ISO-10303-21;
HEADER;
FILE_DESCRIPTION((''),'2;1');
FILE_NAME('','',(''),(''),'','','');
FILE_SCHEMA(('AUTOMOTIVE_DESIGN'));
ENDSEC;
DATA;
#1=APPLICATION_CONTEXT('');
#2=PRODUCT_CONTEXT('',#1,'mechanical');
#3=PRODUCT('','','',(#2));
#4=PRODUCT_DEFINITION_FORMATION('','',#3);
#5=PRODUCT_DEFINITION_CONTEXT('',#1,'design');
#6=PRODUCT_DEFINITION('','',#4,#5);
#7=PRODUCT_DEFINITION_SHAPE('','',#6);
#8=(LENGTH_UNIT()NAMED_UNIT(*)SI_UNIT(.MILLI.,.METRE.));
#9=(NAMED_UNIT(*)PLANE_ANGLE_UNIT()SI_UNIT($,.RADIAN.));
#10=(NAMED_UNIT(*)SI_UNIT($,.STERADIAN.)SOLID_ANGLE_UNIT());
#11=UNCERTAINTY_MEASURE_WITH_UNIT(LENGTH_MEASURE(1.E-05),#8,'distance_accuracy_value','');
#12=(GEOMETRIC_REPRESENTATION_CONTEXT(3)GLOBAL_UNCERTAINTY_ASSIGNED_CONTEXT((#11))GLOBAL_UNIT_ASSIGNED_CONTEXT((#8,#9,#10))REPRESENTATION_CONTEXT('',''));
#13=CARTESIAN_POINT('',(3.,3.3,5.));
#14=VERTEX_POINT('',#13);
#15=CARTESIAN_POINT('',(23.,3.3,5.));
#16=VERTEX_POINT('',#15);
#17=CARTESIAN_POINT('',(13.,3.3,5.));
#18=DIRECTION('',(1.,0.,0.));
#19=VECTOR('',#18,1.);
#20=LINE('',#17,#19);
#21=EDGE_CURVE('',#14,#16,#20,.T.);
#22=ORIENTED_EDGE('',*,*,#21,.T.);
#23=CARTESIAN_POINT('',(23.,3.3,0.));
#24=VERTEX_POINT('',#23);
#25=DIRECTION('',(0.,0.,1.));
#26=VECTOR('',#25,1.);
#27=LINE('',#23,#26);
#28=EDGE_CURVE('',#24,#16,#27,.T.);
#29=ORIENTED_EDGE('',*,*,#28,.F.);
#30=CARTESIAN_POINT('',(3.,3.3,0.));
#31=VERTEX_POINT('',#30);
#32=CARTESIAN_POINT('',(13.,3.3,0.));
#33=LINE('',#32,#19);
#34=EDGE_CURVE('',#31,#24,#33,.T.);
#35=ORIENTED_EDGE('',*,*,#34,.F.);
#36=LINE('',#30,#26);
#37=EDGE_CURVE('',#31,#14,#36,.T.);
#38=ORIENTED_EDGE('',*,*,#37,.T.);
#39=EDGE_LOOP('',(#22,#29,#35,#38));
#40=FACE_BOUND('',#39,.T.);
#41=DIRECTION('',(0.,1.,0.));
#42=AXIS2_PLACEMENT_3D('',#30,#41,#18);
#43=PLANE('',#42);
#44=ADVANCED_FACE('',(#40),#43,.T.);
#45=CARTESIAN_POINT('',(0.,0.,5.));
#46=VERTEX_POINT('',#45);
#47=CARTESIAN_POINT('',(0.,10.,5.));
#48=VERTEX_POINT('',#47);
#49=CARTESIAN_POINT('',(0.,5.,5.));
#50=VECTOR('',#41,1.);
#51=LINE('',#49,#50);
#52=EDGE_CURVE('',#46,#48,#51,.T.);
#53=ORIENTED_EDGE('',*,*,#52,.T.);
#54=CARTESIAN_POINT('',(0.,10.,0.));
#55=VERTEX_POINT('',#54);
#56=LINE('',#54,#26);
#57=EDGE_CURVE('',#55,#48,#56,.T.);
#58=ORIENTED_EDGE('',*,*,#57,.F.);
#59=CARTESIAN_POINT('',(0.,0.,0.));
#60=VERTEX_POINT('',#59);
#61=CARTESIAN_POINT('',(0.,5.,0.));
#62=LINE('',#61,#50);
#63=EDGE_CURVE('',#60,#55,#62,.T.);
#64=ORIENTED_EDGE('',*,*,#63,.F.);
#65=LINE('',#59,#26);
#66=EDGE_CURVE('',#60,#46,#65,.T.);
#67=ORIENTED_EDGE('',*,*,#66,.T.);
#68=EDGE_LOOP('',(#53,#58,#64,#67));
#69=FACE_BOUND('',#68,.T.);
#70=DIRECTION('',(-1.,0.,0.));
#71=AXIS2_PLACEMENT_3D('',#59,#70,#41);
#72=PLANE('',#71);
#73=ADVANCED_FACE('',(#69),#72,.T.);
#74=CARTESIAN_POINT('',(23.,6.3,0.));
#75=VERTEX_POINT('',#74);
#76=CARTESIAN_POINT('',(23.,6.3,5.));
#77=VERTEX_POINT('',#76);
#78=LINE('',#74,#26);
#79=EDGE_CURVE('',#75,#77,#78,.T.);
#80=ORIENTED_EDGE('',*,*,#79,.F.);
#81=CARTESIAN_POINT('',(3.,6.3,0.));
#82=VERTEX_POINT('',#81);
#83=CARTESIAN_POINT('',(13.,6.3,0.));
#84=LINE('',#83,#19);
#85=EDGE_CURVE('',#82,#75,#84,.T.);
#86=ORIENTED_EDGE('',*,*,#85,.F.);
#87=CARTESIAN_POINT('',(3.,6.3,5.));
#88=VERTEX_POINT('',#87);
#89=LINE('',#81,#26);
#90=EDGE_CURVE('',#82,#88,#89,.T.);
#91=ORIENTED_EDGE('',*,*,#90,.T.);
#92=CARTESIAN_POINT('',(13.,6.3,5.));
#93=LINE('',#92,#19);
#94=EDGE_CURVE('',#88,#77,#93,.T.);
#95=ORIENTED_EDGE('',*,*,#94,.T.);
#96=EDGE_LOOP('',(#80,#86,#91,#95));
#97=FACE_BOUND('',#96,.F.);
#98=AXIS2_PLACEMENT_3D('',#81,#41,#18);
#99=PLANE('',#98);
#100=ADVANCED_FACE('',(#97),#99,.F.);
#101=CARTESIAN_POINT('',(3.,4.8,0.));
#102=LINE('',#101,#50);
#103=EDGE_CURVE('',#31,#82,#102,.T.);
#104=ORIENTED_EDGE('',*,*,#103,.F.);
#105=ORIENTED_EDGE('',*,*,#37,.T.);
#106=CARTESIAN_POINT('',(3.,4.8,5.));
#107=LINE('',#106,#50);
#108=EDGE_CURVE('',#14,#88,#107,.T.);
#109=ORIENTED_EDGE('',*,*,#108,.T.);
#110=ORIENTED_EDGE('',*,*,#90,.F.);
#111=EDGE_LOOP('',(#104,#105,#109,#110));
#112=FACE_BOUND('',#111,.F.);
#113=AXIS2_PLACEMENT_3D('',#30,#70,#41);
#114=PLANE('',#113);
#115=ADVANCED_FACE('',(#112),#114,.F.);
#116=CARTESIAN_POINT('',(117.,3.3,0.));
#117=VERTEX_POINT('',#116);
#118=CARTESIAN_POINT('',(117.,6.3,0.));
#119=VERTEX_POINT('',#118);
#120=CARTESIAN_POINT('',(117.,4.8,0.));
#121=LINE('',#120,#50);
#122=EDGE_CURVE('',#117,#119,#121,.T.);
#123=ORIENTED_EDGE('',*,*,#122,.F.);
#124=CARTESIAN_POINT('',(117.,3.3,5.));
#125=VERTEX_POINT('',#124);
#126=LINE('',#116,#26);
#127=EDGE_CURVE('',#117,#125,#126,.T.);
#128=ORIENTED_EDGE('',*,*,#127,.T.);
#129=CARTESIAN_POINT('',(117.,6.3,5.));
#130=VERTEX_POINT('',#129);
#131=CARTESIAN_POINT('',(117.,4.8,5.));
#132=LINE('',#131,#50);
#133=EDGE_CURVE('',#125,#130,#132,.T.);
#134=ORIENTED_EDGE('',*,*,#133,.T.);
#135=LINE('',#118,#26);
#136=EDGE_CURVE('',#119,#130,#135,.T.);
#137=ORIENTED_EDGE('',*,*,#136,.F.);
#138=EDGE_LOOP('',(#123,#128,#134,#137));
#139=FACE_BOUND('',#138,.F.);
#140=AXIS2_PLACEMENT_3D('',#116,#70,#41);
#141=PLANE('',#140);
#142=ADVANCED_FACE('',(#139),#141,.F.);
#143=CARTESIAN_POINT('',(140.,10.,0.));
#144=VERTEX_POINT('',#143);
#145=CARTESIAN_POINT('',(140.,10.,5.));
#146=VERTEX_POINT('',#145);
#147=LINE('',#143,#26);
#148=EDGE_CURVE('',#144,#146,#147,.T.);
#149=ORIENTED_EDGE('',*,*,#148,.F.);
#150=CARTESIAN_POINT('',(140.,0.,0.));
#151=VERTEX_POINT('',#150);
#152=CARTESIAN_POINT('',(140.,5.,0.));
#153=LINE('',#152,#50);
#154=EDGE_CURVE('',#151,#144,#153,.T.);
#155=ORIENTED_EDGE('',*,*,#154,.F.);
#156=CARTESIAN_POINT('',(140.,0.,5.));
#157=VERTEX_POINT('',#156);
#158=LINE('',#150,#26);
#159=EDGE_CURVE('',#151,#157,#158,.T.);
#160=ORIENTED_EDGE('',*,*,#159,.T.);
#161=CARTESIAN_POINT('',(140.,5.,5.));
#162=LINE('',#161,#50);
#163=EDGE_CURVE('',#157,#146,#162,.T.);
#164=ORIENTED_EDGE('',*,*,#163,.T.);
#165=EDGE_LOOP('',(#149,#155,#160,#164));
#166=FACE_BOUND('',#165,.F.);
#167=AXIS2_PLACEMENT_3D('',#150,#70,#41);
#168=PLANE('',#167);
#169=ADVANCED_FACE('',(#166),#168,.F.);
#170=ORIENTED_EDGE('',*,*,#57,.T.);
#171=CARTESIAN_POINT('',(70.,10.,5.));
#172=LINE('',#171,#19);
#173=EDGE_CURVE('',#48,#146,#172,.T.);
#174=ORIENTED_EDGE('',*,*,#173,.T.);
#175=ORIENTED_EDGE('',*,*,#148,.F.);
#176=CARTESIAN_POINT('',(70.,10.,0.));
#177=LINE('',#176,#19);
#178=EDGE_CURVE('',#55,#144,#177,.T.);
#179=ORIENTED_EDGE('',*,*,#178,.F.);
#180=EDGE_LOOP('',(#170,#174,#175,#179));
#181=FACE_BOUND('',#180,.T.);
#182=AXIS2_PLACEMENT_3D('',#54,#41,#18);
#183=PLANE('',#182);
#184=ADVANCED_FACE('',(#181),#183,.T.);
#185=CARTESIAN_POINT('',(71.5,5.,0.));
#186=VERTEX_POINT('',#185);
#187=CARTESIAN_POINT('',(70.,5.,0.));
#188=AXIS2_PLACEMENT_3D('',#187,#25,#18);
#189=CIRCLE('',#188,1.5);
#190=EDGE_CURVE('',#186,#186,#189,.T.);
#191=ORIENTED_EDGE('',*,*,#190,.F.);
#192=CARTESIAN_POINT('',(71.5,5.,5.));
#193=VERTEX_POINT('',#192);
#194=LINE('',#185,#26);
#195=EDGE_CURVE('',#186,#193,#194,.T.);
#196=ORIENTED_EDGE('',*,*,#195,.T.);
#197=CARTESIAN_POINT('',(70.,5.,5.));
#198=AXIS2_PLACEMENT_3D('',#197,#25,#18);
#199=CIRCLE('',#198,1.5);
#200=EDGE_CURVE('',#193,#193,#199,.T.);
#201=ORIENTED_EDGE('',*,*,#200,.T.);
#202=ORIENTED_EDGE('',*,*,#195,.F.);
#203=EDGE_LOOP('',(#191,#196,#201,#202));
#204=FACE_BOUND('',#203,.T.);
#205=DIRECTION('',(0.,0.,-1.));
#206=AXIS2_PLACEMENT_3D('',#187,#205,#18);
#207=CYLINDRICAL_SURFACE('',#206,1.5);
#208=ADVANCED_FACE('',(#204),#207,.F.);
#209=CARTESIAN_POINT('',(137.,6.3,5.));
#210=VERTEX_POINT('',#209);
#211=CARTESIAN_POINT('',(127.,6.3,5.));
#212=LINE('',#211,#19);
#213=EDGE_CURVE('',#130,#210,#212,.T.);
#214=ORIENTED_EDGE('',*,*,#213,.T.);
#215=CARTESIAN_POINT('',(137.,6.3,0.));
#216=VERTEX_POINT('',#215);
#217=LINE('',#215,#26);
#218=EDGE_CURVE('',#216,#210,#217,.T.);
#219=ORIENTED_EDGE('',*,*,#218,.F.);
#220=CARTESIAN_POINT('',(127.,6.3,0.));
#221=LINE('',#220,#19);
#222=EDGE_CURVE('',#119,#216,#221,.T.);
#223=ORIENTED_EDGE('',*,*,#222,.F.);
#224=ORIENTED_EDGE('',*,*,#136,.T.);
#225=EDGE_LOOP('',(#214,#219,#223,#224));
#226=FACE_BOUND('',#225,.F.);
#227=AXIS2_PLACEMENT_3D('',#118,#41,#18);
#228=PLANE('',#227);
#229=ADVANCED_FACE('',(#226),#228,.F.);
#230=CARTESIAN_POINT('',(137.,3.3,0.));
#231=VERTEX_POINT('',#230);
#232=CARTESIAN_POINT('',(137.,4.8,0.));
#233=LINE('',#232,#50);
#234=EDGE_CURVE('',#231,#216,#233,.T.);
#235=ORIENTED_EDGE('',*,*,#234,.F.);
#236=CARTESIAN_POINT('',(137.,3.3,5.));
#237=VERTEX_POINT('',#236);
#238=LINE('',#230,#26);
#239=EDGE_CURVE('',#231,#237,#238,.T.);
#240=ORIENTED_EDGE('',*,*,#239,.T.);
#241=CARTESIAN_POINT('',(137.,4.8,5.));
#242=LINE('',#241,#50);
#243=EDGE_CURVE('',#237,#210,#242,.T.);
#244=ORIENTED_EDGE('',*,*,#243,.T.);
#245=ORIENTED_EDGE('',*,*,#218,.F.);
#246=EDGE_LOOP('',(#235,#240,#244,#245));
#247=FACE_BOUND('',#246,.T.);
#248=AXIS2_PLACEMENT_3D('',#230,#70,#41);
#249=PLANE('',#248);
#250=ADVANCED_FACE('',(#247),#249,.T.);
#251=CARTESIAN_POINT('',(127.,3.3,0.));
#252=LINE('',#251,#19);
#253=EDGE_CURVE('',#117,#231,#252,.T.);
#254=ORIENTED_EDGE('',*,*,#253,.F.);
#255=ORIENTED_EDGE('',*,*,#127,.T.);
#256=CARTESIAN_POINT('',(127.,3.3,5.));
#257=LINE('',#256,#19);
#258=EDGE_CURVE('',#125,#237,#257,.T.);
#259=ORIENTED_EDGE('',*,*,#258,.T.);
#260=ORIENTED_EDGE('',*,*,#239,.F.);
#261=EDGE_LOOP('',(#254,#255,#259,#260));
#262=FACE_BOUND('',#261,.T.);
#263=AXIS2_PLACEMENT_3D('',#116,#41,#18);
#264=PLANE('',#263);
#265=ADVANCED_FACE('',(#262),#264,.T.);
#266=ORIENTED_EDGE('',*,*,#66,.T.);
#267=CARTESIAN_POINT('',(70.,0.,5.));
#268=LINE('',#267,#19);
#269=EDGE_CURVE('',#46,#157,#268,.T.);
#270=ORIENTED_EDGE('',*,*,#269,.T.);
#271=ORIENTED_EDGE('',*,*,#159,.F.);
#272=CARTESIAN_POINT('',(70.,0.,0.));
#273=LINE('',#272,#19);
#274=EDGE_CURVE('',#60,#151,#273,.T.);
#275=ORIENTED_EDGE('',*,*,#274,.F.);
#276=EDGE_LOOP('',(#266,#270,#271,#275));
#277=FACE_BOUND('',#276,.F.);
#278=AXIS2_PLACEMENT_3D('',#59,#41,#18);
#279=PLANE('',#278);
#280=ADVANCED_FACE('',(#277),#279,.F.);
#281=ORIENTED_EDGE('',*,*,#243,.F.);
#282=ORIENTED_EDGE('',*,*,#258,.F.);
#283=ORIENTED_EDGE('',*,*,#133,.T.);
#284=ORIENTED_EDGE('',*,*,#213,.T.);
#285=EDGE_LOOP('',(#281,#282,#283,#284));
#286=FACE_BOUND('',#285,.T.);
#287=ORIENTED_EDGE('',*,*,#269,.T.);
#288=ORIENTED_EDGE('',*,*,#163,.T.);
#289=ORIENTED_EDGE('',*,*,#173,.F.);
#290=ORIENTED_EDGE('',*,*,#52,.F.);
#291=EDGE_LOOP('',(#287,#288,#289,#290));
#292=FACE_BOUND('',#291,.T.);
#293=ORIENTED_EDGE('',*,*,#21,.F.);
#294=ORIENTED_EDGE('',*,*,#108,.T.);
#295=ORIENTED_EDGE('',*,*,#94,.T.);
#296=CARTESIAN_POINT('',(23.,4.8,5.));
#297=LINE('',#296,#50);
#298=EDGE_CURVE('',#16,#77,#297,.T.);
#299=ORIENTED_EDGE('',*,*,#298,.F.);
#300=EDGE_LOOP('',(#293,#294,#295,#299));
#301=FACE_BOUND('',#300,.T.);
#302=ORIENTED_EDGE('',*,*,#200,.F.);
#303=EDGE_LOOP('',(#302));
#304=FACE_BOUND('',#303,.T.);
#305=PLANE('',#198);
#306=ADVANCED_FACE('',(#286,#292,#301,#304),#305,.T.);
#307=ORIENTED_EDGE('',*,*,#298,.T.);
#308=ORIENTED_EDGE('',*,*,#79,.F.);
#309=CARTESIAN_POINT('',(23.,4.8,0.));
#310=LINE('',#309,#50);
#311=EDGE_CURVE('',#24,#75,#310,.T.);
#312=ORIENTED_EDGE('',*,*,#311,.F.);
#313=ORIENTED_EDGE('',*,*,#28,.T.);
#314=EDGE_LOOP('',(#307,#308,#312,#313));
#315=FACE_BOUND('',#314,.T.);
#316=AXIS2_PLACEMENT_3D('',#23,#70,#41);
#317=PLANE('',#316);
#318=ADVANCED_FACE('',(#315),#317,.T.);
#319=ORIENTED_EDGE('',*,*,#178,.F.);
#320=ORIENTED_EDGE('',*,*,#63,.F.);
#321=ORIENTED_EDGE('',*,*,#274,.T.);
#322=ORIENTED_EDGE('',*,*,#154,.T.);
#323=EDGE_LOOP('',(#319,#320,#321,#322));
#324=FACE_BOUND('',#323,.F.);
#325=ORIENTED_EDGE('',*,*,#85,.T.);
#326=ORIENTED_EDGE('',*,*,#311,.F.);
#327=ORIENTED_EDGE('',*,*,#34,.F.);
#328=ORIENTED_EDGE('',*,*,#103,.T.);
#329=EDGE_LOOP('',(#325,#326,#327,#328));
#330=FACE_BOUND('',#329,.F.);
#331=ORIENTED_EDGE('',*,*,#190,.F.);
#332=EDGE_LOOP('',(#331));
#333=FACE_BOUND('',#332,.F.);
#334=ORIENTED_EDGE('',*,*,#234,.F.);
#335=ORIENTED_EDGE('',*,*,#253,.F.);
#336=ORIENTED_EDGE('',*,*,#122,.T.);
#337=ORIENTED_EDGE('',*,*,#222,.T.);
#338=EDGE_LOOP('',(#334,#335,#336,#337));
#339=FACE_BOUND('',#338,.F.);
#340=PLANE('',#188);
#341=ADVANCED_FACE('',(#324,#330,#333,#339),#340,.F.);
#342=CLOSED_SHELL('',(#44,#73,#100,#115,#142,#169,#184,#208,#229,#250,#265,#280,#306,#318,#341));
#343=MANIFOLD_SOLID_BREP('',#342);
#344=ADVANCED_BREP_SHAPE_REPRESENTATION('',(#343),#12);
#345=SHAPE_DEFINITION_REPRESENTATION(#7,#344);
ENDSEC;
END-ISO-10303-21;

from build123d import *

# Parameters (mm, degrees)
F0_W     = 140
F0_H     = 10
F0_W_2   = 20
F0_H_2   = 3
F0_R     = 1.5
F1_DEPTH = 5


with BuildPart() as f1:
    # F0 (on Top) → F1 (new body)
    with BuildSketch(Plane.XY):
        with Locations((70, 5)):
            Rectangle(F0_W, F0_H)
        with Locations((13, 4.8)):
            Rectangle(F0_W_2, F0_H_2, mode=Mode.SUBTRACT)
        with Locations((127, 4.8)):
            Rectangle(F0_W_2, F0_H_2, mode=Mode.SUBTRACT)
        with Locations((70, 5)):
            Circle(F0_R, mode=Mode.SUBTRACT)
    extrude(amount=F1_DEPTH)


solid = f1.part
